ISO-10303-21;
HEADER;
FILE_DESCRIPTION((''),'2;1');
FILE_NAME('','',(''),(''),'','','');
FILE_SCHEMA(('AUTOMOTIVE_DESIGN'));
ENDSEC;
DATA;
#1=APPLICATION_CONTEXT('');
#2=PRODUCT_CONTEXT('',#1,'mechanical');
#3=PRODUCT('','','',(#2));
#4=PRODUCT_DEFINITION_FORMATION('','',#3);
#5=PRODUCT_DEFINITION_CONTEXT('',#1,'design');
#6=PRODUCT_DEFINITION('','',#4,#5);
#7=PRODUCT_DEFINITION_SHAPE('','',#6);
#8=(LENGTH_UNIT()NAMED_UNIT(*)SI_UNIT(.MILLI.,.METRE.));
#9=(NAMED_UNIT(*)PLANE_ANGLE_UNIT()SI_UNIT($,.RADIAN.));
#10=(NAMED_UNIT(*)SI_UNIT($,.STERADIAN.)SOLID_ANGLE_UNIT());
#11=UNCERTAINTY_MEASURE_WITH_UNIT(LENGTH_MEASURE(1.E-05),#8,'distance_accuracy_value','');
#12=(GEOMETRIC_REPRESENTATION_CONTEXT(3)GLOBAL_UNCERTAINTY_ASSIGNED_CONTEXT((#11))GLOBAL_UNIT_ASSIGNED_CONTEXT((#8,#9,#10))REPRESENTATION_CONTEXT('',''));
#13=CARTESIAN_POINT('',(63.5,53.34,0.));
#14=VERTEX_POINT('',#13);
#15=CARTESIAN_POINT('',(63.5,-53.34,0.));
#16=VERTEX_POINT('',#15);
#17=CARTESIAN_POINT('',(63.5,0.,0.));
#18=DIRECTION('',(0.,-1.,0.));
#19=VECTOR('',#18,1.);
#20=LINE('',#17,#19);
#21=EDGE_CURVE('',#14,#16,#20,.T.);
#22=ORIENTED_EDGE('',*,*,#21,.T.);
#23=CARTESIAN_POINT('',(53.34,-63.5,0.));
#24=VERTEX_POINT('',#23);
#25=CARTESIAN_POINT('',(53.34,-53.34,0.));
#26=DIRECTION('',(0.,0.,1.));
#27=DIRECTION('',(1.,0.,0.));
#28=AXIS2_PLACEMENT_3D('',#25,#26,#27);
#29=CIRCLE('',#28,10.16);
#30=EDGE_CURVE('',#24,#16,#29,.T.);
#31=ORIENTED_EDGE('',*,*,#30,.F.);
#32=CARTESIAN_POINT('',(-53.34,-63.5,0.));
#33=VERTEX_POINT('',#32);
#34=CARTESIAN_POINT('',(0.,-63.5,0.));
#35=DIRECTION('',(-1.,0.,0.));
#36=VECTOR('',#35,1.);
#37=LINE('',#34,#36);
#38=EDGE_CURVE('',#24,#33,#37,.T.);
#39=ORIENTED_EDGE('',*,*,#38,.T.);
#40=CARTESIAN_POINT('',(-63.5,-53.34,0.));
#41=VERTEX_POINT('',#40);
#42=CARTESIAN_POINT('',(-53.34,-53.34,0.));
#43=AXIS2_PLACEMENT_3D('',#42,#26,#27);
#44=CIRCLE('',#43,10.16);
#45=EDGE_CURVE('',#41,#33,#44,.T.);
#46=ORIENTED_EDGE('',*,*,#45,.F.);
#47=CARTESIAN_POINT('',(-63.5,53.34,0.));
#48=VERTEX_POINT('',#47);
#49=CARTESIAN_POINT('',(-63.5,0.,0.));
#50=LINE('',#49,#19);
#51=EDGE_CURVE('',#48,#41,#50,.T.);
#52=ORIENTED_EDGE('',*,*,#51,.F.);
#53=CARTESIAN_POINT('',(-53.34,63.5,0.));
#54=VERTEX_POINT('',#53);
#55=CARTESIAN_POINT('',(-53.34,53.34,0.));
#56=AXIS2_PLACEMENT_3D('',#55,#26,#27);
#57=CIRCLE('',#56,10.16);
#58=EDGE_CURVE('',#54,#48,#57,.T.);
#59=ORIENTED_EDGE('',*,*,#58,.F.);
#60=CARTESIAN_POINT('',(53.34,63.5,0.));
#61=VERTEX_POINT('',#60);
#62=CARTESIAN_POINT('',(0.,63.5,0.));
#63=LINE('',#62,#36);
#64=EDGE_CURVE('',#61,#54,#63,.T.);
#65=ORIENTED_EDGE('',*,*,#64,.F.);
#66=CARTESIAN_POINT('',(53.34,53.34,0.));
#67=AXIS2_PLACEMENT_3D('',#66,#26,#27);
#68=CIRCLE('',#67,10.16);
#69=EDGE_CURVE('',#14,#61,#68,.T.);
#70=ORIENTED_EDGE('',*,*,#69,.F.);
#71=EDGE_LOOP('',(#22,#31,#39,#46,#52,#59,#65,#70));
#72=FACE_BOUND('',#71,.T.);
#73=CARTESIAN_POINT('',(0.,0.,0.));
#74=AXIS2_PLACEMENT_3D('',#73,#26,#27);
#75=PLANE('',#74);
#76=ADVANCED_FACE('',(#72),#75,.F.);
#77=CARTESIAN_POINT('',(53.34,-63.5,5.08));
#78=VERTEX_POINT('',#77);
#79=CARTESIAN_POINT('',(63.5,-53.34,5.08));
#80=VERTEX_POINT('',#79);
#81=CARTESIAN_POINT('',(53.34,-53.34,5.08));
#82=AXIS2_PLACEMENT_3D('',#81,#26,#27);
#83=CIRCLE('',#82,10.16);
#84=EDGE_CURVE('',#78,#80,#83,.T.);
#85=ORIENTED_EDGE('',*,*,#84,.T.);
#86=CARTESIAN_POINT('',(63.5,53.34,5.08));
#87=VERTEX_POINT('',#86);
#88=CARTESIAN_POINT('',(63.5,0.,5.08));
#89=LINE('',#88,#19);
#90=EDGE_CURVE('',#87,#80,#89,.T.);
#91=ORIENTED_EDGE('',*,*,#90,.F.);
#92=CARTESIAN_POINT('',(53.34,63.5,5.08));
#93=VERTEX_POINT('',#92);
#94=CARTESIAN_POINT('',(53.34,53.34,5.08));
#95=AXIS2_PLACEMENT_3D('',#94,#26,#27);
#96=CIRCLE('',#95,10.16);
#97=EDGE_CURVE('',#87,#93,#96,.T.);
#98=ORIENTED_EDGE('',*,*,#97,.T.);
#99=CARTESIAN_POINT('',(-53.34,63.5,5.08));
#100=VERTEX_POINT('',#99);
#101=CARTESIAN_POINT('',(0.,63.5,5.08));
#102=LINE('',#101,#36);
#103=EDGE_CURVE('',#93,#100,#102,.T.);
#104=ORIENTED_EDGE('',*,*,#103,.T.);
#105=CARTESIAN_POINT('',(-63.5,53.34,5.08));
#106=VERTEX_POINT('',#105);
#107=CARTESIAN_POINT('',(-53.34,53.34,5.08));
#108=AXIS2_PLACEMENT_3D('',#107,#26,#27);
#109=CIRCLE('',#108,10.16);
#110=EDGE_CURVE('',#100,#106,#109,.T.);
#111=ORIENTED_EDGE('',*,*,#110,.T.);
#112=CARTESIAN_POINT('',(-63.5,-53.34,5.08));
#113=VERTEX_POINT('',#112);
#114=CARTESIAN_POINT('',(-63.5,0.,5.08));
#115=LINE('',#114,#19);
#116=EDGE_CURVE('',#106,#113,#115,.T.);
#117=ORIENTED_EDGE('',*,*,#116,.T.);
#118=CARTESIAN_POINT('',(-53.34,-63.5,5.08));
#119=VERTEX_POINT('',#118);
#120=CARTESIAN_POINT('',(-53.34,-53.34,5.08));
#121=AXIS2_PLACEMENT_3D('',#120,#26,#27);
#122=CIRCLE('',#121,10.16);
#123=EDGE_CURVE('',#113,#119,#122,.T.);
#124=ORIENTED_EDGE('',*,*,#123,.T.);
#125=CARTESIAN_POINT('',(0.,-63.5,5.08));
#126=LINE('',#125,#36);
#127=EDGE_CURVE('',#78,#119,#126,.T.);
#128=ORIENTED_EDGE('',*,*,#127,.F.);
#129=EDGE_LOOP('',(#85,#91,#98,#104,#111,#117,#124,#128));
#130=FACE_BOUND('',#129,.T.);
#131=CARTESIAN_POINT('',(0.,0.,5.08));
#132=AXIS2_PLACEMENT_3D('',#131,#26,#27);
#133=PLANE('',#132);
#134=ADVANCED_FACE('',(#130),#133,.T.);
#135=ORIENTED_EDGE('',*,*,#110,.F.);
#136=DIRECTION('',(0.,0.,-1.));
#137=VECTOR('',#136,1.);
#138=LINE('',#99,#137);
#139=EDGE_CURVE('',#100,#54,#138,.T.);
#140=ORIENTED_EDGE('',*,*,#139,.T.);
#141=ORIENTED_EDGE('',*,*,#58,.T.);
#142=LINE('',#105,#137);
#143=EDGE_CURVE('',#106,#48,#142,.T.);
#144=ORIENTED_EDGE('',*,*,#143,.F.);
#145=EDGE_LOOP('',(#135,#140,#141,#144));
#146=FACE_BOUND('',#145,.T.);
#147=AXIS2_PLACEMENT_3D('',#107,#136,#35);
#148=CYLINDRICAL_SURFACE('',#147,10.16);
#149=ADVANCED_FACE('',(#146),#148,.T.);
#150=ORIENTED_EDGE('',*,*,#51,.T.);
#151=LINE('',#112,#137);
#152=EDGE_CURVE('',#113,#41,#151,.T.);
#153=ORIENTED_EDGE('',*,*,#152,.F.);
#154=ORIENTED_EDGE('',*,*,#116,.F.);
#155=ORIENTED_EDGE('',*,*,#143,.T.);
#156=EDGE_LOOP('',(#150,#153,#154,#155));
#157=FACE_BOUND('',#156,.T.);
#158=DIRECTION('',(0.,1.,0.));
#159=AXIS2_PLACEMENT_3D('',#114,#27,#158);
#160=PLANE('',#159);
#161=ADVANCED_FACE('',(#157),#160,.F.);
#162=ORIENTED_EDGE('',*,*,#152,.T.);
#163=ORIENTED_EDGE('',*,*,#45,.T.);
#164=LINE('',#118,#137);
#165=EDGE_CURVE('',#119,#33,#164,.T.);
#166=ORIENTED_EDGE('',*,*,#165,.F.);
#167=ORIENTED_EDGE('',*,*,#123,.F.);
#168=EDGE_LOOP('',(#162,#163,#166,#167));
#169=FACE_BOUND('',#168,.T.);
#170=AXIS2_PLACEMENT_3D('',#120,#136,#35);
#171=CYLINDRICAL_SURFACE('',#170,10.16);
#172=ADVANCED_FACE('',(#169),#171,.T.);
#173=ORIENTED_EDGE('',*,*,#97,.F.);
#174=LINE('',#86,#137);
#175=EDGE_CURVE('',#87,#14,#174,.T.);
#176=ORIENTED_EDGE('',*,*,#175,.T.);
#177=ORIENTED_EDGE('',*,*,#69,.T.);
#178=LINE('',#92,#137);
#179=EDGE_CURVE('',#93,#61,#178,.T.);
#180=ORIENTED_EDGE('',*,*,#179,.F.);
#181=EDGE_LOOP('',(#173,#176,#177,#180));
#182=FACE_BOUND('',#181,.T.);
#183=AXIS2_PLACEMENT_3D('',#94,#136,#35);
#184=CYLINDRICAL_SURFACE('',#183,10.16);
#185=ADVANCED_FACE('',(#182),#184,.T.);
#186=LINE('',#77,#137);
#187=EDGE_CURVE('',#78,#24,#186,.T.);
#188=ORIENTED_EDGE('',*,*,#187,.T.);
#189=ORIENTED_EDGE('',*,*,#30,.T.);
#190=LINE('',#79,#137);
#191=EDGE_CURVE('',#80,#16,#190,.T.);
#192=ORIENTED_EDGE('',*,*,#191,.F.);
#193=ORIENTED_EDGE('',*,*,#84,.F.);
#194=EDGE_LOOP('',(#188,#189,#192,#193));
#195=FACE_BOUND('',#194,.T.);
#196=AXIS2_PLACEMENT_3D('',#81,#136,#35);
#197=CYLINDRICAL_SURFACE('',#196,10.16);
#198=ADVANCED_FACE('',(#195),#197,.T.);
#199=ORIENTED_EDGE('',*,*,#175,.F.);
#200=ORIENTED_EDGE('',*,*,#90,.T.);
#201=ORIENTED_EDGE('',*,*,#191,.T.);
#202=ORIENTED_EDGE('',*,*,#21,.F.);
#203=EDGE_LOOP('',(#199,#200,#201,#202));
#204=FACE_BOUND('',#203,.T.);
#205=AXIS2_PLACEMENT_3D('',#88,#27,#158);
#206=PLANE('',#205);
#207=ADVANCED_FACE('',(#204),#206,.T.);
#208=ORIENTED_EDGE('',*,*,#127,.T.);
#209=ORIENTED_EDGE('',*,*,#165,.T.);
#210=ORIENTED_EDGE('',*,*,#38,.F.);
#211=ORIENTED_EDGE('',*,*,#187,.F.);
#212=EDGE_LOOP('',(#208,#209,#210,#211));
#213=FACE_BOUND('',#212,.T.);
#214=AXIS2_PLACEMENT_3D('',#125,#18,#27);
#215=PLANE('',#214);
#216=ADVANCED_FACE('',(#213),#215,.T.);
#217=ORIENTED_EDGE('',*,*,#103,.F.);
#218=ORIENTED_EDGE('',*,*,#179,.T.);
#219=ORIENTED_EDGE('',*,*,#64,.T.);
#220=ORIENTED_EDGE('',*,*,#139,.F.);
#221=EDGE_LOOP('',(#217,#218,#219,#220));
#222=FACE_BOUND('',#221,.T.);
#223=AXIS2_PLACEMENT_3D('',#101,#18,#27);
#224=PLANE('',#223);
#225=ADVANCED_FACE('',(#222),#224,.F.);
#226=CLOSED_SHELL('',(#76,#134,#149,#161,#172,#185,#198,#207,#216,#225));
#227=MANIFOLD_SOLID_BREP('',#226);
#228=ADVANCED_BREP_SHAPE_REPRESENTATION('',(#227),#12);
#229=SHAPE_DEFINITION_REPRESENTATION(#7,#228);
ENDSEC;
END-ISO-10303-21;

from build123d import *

# Parameters (mm, degrees)
BOSS_EXTRUDE1_DEPTH = 5.08


with BuildPart() as part:
    # Sketch1 → Boss-Extrude1 (new body)
    with BuildSketch(Plane.XY):
        with BuildLine():
            Line((53.34, 63.5), (-53.34, 63.5))
            ThreePointArc((-53.34, 63.5), (-60.524204897, 60.524204897), (-63.5, 53.34))
            Line((-63.5, 53.34), (-63.5, -53.34))
            ThreePointArc((-63.5, -53.34), (-60.524204897, -60.524204897), (-53.34, -63.5))
            Line((-53.34, -63.5), (53.34, -63.5))
            ThreePointArc((53.34, -63.5), (60.524204897, -60.524204897), (63.5, -53.34))
            Line((63.5, -53.34), (63.5, 53.34))
            ThreePointArc((63.5, 53.34), (60.524204897, 60.524204897), (53.34, 63.5))
        make_face()
        with BuildLine():
            ThreePointArc((58.42, 53.34), (56.932102448, 56.932102448), (53.34, 58.42))
            Line((53.34, 58.42), (-53.34, 58.42))
            ThreePointArc((-53.34, 58.42), (-56.932102448, 56.932102448), (-58.42, 53.34))
            Line((-58.42, 53.34), (-58.42, -53.34))
            ThreePointArc((-58.42, -53.34), (-56.932102448, -56.932102448), (-53.34, -58.42))
            Line((-53.34, -58.42), (53.34, -58.42))
            ThreePointArc((53.34, -58.42), (56.932102448, -56.932102448), (58.42, -53.34))
            Line((58.42, -53.34), (58.42, 53.34))
        make_face(mode=Mode.SUBTRACT)
        with BuildLine():
            Line((58.42, 53.34), (58.42, -53.34))
            ThreePointArc((58.42, -53.34), (56.932102448, -56.932102448), (53.34, -58.42))
            Line((53.34, -58.42), (-53.34, -58.42))
            ThreePointArc((-53.34, -58.42), (-56.932102448, -56.932102448), (-58.42, -53.34))
            Line((-58.42, -53.34), (-58.42, 53.34))
            ThreePointArc((-58.42, 53.34), (-56.932102448, 56.932102448), (-53.34, 58.42))
            Line((-53.34, 58.42), (53.34, 58.42))
            ThreePointArc((53.34, 58.42), (56.932102448, 56.932102448), (58.42, 53.34))
        make_face()
    extrude(amount=BOSS_EXTRUDE1_DEPTH)


solid = part.part
